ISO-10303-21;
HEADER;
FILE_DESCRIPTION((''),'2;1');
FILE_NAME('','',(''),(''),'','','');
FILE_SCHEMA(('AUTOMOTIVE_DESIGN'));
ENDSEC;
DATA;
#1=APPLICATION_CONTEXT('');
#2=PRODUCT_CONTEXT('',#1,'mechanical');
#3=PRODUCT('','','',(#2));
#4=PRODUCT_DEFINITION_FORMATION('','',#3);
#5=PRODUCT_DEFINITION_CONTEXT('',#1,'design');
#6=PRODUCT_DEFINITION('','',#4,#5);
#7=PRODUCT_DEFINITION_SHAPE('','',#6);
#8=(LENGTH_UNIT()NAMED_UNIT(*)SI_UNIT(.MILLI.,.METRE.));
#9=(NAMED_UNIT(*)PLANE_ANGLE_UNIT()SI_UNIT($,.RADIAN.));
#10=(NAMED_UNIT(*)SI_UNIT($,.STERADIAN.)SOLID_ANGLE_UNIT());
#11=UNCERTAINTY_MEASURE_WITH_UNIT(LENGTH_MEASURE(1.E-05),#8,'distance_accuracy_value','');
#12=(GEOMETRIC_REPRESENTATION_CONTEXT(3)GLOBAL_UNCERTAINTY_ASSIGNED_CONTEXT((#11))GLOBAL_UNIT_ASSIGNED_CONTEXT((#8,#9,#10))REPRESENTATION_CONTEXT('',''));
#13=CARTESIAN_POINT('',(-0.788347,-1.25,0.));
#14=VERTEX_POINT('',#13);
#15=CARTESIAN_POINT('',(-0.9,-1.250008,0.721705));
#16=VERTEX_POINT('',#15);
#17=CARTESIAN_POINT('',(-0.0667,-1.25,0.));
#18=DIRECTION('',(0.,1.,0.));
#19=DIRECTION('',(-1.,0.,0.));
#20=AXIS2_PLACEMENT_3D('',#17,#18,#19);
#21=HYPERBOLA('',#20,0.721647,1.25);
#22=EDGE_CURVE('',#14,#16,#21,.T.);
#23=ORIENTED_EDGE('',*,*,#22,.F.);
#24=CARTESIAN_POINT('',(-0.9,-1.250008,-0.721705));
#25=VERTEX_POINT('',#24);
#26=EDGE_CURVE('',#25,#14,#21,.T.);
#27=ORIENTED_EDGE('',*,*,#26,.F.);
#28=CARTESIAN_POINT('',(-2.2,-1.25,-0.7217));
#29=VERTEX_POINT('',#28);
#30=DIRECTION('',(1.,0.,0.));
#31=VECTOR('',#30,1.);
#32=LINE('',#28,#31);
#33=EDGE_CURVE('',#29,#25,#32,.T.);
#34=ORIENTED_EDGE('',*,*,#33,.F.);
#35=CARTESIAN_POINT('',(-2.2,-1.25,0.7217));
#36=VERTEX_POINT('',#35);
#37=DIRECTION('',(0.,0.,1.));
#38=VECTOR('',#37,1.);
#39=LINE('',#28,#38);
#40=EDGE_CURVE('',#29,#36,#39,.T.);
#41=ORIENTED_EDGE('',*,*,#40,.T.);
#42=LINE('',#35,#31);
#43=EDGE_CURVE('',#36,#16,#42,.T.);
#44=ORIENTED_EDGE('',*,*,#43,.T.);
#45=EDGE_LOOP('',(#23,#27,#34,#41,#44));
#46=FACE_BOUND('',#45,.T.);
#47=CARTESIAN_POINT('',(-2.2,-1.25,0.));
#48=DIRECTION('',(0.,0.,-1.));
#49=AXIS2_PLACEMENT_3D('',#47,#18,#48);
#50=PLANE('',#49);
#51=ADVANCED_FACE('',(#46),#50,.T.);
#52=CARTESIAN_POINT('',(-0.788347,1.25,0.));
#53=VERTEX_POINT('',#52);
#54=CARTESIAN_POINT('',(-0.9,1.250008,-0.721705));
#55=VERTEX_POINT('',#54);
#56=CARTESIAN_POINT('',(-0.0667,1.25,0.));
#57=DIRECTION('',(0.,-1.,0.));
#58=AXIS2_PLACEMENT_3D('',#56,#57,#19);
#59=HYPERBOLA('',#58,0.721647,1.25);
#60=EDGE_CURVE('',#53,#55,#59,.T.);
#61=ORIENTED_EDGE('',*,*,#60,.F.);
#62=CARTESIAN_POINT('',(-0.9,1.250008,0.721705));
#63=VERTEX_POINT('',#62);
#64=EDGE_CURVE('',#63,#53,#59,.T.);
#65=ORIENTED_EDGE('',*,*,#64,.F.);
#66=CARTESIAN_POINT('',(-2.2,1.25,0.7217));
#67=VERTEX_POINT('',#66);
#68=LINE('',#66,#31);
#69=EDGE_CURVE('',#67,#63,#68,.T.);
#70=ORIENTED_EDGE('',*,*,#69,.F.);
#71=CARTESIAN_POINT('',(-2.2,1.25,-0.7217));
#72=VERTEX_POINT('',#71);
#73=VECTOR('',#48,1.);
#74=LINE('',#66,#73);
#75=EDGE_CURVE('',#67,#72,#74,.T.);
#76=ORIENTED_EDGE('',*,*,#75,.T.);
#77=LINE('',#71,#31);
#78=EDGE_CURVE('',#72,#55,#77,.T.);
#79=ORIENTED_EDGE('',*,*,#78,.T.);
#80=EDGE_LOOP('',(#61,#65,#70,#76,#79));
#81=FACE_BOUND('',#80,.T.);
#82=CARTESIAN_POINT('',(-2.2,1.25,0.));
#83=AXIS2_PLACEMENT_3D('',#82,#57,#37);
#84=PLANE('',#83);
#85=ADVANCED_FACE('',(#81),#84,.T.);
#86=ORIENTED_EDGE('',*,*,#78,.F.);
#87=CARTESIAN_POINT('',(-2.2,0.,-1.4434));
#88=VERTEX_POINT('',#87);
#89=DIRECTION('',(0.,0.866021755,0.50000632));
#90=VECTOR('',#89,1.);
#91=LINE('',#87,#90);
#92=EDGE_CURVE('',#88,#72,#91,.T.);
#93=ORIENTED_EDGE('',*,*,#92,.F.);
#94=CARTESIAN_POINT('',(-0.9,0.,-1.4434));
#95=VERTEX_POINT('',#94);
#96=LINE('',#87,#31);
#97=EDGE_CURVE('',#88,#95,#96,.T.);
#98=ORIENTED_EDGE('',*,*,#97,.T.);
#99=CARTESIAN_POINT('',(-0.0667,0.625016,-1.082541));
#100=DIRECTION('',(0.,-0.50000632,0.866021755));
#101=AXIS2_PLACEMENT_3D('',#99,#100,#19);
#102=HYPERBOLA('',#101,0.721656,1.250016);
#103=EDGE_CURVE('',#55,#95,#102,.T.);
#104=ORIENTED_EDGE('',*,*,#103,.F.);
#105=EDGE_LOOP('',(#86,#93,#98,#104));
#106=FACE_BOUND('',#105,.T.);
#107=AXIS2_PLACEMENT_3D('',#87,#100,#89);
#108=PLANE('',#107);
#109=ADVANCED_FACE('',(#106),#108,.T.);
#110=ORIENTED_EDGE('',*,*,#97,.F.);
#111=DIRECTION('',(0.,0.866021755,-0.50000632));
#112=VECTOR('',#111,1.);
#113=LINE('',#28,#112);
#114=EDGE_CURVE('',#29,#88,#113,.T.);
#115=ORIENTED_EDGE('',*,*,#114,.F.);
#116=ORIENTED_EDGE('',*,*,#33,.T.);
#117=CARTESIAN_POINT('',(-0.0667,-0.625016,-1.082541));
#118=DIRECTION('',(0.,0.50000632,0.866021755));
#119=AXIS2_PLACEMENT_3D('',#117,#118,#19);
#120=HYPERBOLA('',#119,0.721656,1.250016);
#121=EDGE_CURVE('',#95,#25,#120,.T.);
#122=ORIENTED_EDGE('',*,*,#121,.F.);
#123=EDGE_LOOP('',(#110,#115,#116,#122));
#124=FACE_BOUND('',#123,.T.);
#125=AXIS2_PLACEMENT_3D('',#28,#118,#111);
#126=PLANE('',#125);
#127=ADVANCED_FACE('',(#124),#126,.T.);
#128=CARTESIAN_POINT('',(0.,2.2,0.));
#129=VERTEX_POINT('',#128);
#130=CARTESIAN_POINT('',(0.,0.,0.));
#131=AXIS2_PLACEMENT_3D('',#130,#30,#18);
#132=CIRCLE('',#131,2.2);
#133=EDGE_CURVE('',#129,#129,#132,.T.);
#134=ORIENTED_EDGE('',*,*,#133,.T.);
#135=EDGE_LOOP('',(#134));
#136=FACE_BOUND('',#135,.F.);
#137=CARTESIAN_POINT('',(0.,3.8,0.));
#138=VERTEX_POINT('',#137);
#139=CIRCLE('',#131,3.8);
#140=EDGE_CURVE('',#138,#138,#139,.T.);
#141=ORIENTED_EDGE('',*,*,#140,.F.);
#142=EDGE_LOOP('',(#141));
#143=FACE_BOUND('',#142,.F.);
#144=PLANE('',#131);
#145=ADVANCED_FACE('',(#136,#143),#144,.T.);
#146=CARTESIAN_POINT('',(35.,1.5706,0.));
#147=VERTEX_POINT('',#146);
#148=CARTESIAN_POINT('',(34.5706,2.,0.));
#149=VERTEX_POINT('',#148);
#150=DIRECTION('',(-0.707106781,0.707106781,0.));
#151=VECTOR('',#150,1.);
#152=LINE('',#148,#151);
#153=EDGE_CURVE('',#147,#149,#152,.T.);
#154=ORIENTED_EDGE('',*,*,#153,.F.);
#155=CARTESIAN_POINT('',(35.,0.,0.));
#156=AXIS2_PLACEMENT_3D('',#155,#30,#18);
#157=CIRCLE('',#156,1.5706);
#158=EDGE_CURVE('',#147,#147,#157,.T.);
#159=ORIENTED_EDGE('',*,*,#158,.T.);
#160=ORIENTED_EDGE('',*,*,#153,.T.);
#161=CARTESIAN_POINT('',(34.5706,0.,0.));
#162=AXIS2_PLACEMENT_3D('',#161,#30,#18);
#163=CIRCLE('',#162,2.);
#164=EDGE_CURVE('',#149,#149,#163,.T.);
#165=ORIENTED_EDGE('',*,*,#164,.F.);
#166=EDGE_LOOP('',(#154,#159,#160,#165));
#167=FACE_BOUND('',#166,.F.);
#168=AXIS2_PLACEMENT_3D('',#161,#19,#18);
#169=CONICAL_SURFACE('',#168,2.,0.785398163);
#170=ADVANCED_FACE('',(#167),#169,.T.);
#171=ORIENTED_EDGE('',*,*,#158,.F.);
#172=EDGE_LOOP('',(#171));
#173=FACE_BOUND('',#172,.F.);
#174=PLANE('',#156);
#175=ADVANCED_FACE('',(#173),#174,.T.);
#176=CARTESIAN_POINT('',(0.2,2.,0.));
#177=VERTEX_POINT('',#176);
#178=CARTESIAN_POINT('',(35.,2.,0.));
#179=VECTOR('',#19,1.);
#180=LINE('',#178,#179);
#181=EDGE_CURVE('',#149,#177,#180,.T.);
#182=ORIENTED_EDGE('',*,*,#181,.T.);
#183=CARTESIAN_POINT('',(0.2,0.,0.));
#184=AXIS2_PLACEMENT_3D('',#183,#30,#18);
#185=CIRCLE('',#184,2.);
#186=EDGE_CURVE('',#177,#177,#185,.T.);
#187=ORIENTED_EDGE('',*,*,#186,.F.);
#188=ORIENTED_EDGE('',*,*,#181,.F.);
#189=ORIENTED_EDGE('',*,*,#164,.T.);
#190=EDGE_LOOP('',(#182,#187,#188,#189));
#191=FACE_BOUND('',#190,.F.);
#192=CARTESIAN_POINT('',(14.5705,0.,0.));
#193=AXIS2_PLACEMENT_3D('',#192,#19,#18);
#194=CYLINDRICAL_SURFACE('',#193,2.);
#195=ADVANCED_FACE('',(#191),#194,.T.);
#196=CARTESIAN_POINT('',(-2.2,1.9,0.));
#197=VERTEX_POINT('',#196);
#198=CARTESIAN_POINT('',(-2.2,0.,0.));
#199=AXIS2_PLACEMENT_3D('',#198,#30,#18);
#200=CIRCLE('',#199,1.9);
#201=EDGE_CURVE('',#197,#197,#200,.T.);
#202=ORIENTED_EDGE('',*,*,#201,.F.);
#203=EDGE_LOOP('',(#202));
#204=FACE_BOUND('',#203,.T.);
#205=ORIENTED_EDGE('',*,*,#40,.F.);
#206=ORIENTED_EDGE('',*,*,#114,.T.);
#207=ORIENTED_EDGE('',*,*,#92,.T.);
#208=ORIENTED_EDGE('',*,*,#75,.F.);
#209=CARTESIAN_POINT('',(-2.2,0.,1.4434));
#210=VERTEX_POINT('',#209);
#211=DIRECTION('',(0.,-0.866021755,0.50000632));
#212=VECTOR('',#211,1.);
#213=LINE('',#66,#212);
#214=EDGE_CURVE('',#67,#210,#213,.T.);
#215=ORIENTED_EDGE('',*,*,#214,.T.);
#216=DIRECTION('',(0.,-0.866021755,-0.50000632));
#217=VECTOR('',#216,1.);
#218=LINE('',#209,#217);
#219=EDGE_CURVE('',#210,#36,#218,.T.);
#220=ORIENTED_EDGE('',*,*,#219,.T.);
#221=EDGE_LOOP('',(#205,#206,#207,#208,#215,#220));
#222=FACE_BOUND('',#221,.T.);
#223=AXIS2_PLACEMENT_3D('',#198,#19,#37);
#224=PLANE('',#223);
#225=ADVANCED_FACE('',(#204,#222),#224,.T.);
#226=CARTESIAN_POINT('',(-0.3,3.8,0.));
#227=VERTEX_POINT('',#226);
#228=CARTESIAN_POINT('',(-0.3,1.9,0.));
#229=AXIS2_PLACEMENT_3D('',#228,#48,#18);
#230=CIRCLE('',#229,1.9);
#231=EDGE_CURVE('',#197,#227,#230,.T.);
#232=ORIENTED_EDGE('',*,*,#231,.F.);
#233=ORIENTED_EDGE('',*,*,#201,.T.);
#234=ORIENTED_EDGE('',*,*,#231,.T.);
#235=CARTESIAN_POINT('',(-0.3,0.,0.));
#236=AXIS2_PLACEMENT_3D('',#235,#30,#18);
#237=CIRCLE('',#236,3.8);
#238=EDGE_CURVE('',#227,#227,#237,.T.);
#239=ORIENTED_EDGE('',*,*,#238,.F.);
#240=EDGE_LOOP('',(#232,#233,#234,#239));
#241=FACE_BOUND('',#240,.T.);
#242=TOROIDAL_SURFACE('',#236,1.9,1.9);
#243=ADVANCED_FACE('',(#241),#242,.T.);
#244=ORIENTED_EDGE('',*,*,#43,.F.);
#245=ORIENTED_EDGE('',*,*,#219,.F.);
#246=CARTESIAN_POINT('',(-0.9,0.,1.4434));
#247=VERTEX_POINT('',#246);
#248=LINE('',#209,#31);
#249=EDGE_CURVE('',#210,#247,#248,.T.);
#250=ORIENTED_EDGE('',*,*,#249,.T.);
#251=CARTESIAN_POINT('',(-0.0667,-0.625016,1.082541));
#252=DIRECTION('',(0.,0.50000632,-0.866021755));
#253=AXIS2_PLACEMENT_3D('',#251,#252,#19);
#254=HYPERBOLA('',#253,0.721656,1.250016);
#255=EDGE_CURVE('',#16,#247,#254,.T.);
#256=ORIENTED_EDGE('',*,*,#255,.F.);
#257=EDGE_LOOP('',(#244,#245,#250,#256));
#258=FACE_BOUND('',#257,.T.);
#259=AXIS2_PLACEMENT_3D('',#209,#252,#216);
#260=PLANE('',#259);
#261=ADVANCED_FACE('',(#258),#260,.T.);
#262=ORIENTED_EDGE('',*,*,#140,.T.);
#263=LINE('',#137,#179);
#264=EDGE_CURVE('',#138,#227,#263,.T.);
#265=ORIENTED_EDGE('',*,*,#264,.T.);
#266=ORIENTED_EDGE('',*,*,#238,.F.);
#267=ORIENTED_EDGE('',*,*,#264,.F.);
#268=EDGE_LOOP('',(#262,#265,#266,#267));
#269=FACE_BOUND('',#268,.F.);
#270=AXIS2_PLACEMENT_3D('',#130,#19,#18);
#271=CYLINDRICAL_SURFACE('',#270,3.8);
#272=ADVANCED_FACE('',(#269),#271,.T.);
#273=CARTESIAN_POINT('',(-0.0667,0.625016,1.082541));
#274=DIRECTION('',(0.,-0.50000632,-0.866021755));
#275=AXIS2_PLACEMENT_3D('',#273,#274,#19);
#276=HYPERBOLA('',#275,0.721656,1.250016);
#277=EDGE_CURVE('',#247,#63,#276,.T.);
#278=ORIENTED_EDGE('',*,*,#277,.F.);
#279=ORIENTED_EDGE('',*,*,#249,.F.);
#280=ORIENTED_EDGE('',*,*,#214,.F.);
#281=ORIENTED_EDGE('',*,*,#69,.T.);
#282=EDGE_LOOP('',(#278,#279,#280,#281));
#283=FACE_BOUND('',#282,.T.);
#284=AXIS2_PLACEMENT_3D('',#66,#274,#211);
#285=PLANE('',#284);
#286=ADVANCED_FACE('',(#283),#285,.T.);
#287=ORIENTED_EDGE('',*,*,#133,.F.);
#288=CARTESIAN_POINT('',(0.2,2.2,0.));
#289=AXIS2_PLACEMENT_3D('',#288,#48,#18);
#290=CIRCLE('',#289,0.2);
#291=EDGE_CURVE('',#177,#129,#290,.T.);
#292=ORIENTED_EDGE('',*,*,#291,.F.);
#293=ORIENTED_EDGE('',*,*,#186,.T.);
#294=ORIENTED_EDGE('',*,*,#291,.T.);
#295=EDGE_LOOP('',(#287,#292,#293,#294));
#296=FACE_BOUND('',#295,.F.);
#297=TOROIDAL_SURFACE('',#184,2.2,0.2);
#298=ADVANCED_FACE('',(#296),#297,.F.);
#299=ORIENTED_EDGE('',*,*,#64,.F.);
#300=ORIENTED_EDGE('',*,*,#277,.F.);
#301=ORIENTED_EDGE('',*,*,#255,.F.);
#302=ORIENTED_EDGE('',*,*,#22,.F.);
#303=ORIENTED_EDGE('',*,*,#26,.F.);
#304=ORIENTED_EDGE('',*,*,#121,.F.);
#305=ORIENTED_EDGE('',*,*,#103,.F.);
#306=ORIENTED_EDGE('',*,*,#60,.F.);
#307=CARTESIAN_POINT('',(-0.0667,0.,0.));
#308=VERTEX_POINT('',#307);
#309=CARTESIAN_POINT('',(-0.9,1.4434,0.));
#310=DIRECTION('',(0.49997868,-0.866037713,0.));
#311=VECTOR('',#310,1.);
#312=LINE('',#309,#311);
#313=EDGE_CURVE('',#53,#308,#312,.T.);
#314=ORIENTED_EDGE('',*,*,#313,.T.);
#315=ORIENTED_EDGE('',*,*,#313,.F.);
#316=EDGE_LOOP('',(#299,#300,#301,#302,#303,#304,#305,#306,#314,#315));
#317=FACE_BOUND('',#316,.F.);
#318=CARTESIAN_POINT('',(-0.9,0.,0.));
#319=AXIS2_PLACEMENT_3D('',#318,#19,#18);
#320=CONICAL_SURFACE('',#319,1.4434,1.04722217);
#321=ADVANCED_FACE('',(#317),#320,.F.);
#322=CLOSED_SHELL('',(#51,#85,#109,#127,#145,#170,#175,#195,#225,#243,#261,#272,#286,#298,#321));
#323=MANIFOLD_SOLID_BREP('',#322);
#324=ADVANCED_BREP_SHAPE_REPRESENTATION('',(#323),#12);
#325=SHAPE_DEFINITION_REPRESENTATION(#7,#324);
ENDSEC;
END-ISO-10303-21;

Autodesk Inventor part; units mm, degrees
ref_plane "YZ Plane" through (0, 0, 0) normal (1, 0, 0) x (0, 1, 0)
ref_plane "XZ Plane" through (0, 0, 0) normal (0, 1, 0) x (-1, 0, 0)
sketch "Skizze1" plane through (0, 0, 0) normal (0, 0, 1) x (1, 0, 0)
  line L0 (-0.0667, 0) -> (35, 0)
  line L1 (35, 0) -> (35, 2)
  line L2 (35, 2) -> (15, 2)
  line L3 (15, 2) -> (14.5705, 2)
  line L4 (14.5705, 2) -> (0, 2)
  line L5 (0, 2) -> (0, 3.8)
  line L6 (0, 3.8) -> (-2.2, 3.8)
  line L7 (-2.2, 3.8) -> (-2.2, 1.4434)
  line L8 (-2.2, 1.4434) -> (-0.9, 1.4434)
  line L9 (-0.9, 1.4434) -> (-0.0667, 0)
  line L10 (-9.64, 0) -> (42.44, 0) projected
  line L11 (0, -0.76) -> (0, 4.56) projected
  line L12 (15, 2) -> (0, 2) construction
  dimension "d1" = 20
  dimension "d2" = 0.4295
  dimension "d3" = 2.2
  dimension "d4" = 1.3
  dimension "d5" = 60
  dimension "d6" = 4
  dimension "d7" = 4
  dimension "d8" = 2.8868
  dimension "d9" = 7.6
  dimension "d26" = 35
revolve "Körper" add sketch "Skizze1" angle 360 about axis through (-0.0667, 0, 0) along (1, 0, 0)
sketch "Skizze2" plane through (-2.2, 0, 0) normal (-1, 0, 0) x (0, 0, 1)
  circle A0 centre (0, 0) radius 1.4434 projected
  line L0 (0, -5.32) -> (0, 5.32) projected
  line L1 (-5.32, 0) -> (5.32, 0) projected
  line L2 (1.4434, 0) -> (0.7217, -1.25)
  line L3 (0.7217, -1.25) -> (-0.7217, -1.25)
  line L4 (-0.7217, -1.25) -> (-1.4434, 0)
  line L5 (-1.4434, 0) -> (-0.7217, 1.25)
  line L6 (-0.7217, 1.25) -> (0.7217, 1.25)
  line L7 (0.7217, 1.25) -> (1.4434, 0)
extrude "Loch" add sketch "Skizze2" against normal up to next contours L7 A0 | A0 L2 | L6 L0 A0 | A0 L0 L3 | L0 L6 A0 | A0 L3 L0 | L4 A0 | A0 L5
fillet "Rundung1" radius 1.9 1 edges at (-2.2, -3.8, 0)
thread "Gewinde" size "M4x0.7" class "6g" standard "ISO Metric profile" length 20
chamfer "Fase1" distance 0.4294 distance2 0.4294 1 edges at (35, -2, 0) measured on face at (35, 0.0262, -0.4421)
ref_plane "Work Plane1" through (29, 0, 0) normal (0, -1, 0) x (1, 0, 0)
fillet "Rundung2" radius 0.2 1 edges at (0, -2, 0)
equation "\"d1\" = GEL"
equation "\"d3\" = KOH"
equation "\"d4\" = INTI"
equation "\"d6\" = GD"
equation "\"d7\" = BDM"
equation "\"d8\" = 1.1547 * SW"
equation "\"d9\" = KOD"
equation "\"d26\" = NLG"
equation "\"d17\" = RR"
equation "\"d13\" = GEL"
equation "\"d15\" = -0.5 * SPD + 0.5 * GD"
equation "\"d16\" = GUL"
equation "\"d30\" = R"
equation "\"GD\" = NND"
equation "\"NLG\" = 35"
equation "\"GEL\" = 20"
equation "\"KOD\" = 7.6"
equation "\"KOH\" = 2.2"
equation "\"INTI\" = 1.3"
equation "\"GAL\" = 0.61345 * PTC"
equation "\"GUL\" = 0.61345 * PTC"
equation "\"BDM\" = NND"
equation "\"SW\" = 2.5"
equation "\"RR\" = 1.9"
equation "\"SPD\" = NND - 1.2269 * PTC"
equation "\"R\" = 0.2"
equation "\"TOA\" = 30deg"
equation "\"GD1\" = THREADDIA - 1.2269 * PTC"
equation "\"THREADDIA\" = 4"
equation "\"PTC\" = 0.7"
equation "\"NND\" = 4"
equation "\"KOH1\" = 0.3"
equation "\"E0\" = 2.873"
properties part number "ISO 7380-1 - M4 x 35" material "Stahl"
